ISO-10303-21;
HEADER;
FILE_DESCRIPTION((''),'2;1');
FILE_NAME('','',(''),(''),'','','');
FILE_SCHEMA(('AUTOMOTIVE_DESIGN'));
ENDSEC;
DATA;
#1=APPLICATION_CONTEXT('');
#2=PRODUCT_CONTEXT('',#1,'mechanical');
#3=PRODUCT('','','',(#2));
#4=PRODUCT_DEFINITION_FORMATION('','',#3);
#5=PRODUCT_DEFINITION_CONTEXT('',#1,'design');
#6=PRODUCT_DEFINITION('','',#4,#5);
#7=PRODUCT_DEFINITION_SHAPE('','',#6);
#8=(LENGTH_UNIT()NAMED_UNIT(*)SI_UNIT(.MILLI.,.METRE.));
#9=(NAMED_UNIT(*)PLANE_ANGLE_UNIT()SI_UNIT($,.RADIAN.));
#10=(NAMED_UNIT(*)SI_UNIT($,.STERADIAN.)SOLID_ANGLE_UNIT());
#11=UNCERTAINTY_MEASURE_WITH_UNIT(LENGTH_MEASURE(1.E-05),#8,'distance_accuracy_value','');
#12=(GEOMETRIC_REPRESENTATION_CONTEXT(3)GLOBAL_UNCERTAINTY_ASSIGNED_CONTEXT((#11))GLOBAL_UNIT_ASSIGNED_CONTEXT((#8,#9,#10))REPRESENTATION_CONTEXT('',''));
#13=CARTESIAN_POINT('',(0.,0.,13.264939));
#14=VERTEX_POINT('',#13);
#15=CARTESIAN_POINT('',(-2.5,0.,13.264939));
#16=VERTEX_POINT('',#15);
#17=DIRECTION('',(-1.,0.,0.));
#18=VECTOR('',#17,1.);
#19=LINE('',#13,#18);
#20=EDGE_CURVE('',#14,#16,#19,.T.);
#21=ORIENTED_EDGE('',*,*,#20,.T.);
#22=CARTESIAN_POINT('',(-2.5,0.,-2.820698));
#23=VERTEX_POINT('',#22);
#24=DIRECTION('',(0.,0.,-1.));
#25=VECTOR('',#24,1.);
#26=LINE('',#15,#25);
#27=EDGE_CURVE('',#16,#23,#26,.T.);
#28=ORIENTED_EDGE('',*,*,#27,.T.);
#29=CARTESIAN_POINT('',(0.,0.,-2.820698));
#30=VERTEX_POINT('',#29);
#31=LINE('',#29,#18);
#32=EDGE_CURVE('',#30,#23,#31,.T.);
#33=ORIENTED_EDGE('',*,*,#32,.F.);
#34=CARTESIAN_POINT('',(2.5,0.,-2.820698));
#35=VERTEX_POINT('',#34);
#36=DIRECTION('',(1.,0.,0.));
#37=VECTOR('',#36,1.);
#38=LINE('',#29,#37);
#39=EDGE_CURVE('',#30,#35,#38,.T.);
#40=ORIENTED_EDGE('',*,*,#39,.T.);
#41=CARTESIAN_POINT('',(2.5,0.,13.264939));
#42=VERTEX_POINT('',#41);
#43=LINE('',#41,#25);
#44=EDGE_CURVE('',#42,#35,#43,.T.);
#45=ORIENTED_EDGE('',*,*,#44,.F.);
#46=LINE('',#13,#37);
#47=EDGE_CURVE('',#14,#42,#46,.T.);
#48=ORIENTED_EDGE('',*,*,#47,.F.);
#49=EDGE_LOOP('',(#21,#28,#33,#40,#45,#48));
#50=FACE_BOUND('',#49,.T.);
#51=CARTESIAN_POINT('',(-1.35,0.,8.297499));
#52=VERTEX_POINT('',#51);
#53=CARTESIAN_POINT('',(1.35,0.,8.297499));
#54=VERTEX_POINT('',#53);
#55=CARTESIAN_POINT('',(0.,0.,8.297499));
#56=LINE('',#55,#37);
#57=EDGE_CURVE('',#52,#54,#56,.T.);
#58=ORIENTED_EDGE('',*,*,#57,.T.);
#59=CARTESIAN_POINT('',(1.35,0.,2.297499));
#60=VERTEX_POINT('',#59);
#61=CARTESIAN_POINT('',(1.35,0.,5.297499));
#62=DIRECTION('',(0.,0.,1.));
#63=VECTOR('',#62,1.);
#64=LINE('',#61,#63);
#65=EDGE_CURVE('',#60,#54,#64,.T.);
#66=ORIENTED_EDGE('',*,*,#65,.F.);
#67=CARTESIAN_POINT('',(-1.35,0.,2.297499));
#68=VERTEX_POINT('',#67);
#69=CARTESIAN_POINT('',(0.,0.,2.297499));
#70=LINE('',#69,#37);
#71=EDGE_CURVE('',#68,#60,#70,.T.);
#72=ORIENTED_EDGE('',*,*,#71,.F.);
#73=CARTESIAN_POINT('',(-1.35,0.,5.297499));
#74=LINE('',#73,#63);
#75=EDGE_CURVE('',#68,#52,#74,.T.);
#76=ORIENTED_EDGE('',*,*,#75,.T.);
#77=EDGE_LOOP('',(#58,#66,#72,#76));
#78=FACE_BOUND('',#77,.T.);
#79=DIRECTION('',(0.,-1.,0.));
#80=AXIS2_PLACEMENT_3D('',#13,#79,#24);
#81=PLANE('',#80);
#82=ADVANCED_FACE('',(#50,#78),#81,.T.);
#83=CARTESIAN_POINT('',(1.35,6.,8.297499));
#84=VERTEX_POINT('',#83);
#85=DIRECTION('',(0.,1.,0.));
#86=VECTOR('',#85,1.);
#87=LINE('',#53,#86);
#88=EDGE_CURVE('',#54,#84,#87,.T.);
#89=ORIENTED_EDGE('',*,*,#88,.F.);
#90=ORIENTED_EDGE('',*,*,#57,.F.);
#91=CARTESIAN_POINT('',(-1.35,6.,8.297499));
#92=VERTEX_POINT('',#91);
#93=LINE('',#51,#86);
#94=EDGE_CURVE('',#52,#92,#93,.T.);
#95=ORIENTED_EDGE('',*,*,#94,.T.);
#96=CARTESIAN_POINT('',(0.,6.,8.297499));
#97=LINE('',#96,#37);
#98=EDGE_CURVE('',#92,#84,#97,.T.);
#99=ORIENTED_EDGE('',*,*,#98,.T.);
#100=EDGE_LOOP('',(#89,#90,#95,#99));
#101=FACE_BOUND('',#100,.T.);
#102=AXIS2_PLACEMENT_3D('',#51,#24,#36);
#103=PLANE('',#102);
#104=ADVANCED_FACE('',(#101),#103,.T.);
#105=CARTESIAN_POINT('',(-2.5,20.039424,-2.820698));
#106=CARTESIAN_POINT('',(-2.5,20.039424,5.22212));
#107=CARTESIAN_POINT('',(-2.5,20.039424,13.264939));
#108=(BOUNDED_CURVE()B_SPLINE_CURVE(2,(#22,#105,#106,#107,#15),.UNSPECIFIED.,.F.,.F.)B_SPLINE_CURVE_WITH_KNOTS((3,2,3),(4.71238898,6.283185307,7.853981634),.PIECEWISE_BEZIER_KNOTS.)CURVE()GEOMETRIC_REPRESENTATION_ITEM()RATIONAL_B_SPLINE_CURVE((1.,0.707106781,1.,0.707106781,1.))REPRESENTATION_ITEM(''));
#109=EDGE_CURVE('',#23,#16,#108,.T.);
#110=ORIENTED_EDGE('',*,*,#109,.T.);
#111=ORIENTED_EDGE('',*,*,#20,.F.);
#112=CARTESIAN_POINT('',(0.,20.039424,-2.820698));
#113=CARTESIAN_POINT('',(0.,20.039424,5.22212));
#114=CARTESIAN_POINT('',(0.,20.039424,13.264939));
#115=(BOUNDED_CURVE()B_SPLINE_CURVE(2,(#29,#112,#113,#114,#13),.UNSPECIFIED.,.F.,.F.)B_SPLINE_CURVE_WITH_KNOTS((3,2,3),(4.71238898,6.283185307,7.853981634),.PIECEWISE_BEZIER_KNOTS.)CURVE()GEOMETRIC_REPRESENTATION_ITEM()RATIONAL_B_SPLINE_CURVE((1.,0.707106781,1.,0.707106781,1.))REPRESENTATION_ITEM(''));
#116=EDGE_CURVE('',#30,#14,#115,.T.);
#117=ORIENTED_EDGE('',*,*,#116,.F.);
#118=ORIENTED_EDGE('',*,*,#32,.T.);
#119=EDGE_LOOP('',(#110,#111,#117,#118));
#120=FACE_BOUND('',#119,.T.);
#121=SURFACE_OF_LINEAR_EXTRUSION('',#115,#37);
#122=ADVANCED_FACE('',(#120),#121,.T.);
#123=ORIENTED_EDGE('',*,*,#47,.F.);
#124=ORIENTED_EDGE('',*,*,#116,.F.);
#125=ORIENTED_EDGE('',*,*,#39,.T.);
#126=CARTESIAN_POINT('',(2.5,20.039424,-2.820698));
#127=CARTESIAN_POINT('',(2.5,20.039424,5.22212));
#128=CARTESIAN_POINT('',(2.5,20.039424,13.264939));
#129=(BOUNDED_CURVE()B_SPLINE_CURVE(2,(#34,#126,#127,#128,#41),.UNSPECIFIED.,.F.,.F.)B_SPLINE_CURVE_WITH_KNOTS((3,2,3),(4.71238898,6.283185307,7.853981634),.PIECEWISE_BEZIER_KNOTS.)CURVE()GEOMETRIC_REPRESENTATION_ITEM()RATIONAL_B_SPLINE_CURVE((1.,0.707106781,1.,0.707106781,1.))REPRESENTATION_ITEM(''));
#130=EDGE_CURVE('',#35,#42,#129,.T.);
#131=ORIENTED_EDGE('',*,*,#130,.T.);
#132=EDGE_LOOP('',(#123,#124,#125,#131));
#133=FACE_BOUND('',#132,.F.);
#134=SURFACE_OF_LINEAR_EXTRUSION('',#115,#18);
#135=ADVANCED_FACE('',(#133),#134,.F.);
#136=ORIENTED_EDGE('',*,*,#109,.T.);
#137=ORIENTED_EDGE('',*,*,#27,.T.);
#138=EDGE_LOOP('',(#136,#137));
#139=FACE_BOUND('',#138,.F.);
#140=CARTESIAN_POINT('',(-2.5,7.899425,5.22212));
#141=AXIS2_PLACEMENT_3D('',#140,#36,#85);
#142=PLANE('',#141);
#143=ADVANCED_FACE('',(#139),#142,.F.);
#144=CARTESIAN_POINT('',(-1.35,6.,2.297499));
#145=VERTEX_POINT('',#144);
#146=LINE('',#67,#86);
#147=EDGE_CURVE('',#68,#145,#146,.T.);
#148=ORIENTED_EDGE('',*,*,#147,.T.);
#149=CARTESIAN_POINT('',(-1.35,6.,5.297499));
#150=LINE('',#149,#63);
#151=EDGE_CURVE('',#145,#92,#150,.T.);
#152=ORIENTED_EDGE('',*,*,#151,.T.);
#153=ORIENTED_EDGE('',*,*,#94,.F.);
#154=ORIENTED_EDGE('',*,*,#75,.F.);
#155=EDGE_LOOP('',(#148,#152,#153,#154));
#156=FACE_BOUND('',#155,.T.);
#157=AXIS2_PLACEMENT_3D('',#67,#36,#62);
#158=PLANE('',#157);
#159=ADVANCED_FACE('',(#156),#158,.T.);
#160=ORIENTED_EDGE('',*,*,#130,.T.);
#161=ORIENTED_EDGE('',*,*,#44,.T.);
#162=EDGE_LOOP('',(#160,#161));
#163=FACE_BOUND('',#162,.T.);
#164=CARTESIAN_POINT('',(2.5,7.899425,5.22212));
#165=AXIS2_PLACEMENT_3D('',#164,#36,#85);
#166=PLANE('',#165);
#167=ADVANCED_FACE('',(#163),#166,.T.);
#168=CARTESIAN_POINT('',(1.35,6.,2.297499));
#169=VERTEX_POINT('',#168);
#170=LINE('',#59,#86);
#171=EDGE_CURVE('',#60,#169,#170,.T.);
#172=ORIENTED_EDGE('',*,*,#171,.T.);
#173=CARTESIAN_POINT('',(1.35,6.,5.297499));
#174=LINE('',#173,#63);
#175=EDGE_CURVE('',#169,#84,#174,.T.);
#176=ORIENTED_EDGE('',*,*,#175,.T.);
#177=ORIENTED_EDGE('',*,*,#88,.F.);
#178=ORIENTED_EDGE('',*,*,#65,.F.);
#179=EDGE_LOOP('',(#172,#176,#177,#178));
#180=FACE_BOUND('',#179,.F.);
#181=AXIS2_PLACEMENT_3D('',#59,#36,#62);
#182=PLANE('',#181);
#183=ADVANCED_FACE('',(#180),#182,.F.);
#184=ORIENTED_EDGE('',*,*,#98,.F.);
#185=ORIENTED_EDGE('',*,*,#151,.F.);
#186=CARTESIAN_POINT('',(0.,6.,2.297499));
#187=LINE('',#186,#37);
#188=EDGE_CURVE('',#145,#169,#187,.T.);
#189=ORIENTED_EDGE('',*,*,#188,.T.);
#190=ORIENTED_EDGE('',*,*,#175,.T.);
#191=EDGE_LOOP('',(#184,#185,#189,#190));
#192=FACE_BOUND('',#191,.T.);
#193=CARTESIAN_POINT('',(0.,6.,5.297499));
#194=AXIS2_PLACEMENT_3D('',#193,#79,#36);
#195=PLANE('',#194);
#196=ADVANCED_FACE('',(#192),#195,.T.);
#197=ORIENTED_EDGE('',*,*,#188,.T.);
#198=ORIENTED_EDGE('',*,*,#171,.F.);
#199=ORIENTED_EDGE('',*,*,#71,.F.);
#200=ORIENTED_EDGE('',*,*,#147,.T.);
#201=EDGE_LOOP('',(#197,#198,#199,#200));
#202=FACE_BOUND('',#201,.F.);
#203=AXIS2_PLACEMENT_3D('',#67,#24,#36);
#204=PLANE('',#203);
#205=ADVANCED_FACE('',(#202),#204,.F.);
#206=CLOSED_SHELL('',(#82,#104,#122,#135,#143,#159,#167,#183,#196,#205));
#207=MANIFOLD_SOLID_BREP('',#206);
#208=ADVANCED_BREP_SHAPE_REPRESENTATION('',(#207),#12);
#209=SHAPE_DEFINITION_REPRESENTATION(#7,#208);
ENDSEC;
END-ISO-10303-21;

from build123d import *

# Parameters (mm, degrees)
F1_DEPTH = 2.5
F2_W     = 2.7
F2_H     = 6
F3_DEPTH = 6


with BuildPart() as f1:
    # F0 (on Right) → F1 (new body, symmetric)
    with BuildSketch(Plane.YZ):
        with BuildLine():
            Line((0, 13.2649390478), (0, -2.820698248))
            add(Edge.make_bspline(
                [(0, -2.820698248), (20.0394243002, -2.820698248), (20.0394243002, 5.2221203999), (20.0394243002, 13.2649390478), (0, 13.2649390478)],
                knots=[4.7123889804, 4.7123889804, 4.7123889804, 6.2831853072, 6.2831853072, 7.853981634, 7.853981634, 7.853981634], degree=2, weights=[1, 0.7071067812, 1, 0.7071067812, 1]))
        make_face()
    extrude(amount=F1_DEPTH, both=True)

    # F2 (on Front) → F3 (cut)
    with BuildSketch(Plane.XZ):
        with Locations((0, 5.2974992432)):
            Rectangle(F2_W, F2_H)
    extrude(amount=-F3_DEPTH, mode=Mode.SUBTRACT)


solid = f1.part
